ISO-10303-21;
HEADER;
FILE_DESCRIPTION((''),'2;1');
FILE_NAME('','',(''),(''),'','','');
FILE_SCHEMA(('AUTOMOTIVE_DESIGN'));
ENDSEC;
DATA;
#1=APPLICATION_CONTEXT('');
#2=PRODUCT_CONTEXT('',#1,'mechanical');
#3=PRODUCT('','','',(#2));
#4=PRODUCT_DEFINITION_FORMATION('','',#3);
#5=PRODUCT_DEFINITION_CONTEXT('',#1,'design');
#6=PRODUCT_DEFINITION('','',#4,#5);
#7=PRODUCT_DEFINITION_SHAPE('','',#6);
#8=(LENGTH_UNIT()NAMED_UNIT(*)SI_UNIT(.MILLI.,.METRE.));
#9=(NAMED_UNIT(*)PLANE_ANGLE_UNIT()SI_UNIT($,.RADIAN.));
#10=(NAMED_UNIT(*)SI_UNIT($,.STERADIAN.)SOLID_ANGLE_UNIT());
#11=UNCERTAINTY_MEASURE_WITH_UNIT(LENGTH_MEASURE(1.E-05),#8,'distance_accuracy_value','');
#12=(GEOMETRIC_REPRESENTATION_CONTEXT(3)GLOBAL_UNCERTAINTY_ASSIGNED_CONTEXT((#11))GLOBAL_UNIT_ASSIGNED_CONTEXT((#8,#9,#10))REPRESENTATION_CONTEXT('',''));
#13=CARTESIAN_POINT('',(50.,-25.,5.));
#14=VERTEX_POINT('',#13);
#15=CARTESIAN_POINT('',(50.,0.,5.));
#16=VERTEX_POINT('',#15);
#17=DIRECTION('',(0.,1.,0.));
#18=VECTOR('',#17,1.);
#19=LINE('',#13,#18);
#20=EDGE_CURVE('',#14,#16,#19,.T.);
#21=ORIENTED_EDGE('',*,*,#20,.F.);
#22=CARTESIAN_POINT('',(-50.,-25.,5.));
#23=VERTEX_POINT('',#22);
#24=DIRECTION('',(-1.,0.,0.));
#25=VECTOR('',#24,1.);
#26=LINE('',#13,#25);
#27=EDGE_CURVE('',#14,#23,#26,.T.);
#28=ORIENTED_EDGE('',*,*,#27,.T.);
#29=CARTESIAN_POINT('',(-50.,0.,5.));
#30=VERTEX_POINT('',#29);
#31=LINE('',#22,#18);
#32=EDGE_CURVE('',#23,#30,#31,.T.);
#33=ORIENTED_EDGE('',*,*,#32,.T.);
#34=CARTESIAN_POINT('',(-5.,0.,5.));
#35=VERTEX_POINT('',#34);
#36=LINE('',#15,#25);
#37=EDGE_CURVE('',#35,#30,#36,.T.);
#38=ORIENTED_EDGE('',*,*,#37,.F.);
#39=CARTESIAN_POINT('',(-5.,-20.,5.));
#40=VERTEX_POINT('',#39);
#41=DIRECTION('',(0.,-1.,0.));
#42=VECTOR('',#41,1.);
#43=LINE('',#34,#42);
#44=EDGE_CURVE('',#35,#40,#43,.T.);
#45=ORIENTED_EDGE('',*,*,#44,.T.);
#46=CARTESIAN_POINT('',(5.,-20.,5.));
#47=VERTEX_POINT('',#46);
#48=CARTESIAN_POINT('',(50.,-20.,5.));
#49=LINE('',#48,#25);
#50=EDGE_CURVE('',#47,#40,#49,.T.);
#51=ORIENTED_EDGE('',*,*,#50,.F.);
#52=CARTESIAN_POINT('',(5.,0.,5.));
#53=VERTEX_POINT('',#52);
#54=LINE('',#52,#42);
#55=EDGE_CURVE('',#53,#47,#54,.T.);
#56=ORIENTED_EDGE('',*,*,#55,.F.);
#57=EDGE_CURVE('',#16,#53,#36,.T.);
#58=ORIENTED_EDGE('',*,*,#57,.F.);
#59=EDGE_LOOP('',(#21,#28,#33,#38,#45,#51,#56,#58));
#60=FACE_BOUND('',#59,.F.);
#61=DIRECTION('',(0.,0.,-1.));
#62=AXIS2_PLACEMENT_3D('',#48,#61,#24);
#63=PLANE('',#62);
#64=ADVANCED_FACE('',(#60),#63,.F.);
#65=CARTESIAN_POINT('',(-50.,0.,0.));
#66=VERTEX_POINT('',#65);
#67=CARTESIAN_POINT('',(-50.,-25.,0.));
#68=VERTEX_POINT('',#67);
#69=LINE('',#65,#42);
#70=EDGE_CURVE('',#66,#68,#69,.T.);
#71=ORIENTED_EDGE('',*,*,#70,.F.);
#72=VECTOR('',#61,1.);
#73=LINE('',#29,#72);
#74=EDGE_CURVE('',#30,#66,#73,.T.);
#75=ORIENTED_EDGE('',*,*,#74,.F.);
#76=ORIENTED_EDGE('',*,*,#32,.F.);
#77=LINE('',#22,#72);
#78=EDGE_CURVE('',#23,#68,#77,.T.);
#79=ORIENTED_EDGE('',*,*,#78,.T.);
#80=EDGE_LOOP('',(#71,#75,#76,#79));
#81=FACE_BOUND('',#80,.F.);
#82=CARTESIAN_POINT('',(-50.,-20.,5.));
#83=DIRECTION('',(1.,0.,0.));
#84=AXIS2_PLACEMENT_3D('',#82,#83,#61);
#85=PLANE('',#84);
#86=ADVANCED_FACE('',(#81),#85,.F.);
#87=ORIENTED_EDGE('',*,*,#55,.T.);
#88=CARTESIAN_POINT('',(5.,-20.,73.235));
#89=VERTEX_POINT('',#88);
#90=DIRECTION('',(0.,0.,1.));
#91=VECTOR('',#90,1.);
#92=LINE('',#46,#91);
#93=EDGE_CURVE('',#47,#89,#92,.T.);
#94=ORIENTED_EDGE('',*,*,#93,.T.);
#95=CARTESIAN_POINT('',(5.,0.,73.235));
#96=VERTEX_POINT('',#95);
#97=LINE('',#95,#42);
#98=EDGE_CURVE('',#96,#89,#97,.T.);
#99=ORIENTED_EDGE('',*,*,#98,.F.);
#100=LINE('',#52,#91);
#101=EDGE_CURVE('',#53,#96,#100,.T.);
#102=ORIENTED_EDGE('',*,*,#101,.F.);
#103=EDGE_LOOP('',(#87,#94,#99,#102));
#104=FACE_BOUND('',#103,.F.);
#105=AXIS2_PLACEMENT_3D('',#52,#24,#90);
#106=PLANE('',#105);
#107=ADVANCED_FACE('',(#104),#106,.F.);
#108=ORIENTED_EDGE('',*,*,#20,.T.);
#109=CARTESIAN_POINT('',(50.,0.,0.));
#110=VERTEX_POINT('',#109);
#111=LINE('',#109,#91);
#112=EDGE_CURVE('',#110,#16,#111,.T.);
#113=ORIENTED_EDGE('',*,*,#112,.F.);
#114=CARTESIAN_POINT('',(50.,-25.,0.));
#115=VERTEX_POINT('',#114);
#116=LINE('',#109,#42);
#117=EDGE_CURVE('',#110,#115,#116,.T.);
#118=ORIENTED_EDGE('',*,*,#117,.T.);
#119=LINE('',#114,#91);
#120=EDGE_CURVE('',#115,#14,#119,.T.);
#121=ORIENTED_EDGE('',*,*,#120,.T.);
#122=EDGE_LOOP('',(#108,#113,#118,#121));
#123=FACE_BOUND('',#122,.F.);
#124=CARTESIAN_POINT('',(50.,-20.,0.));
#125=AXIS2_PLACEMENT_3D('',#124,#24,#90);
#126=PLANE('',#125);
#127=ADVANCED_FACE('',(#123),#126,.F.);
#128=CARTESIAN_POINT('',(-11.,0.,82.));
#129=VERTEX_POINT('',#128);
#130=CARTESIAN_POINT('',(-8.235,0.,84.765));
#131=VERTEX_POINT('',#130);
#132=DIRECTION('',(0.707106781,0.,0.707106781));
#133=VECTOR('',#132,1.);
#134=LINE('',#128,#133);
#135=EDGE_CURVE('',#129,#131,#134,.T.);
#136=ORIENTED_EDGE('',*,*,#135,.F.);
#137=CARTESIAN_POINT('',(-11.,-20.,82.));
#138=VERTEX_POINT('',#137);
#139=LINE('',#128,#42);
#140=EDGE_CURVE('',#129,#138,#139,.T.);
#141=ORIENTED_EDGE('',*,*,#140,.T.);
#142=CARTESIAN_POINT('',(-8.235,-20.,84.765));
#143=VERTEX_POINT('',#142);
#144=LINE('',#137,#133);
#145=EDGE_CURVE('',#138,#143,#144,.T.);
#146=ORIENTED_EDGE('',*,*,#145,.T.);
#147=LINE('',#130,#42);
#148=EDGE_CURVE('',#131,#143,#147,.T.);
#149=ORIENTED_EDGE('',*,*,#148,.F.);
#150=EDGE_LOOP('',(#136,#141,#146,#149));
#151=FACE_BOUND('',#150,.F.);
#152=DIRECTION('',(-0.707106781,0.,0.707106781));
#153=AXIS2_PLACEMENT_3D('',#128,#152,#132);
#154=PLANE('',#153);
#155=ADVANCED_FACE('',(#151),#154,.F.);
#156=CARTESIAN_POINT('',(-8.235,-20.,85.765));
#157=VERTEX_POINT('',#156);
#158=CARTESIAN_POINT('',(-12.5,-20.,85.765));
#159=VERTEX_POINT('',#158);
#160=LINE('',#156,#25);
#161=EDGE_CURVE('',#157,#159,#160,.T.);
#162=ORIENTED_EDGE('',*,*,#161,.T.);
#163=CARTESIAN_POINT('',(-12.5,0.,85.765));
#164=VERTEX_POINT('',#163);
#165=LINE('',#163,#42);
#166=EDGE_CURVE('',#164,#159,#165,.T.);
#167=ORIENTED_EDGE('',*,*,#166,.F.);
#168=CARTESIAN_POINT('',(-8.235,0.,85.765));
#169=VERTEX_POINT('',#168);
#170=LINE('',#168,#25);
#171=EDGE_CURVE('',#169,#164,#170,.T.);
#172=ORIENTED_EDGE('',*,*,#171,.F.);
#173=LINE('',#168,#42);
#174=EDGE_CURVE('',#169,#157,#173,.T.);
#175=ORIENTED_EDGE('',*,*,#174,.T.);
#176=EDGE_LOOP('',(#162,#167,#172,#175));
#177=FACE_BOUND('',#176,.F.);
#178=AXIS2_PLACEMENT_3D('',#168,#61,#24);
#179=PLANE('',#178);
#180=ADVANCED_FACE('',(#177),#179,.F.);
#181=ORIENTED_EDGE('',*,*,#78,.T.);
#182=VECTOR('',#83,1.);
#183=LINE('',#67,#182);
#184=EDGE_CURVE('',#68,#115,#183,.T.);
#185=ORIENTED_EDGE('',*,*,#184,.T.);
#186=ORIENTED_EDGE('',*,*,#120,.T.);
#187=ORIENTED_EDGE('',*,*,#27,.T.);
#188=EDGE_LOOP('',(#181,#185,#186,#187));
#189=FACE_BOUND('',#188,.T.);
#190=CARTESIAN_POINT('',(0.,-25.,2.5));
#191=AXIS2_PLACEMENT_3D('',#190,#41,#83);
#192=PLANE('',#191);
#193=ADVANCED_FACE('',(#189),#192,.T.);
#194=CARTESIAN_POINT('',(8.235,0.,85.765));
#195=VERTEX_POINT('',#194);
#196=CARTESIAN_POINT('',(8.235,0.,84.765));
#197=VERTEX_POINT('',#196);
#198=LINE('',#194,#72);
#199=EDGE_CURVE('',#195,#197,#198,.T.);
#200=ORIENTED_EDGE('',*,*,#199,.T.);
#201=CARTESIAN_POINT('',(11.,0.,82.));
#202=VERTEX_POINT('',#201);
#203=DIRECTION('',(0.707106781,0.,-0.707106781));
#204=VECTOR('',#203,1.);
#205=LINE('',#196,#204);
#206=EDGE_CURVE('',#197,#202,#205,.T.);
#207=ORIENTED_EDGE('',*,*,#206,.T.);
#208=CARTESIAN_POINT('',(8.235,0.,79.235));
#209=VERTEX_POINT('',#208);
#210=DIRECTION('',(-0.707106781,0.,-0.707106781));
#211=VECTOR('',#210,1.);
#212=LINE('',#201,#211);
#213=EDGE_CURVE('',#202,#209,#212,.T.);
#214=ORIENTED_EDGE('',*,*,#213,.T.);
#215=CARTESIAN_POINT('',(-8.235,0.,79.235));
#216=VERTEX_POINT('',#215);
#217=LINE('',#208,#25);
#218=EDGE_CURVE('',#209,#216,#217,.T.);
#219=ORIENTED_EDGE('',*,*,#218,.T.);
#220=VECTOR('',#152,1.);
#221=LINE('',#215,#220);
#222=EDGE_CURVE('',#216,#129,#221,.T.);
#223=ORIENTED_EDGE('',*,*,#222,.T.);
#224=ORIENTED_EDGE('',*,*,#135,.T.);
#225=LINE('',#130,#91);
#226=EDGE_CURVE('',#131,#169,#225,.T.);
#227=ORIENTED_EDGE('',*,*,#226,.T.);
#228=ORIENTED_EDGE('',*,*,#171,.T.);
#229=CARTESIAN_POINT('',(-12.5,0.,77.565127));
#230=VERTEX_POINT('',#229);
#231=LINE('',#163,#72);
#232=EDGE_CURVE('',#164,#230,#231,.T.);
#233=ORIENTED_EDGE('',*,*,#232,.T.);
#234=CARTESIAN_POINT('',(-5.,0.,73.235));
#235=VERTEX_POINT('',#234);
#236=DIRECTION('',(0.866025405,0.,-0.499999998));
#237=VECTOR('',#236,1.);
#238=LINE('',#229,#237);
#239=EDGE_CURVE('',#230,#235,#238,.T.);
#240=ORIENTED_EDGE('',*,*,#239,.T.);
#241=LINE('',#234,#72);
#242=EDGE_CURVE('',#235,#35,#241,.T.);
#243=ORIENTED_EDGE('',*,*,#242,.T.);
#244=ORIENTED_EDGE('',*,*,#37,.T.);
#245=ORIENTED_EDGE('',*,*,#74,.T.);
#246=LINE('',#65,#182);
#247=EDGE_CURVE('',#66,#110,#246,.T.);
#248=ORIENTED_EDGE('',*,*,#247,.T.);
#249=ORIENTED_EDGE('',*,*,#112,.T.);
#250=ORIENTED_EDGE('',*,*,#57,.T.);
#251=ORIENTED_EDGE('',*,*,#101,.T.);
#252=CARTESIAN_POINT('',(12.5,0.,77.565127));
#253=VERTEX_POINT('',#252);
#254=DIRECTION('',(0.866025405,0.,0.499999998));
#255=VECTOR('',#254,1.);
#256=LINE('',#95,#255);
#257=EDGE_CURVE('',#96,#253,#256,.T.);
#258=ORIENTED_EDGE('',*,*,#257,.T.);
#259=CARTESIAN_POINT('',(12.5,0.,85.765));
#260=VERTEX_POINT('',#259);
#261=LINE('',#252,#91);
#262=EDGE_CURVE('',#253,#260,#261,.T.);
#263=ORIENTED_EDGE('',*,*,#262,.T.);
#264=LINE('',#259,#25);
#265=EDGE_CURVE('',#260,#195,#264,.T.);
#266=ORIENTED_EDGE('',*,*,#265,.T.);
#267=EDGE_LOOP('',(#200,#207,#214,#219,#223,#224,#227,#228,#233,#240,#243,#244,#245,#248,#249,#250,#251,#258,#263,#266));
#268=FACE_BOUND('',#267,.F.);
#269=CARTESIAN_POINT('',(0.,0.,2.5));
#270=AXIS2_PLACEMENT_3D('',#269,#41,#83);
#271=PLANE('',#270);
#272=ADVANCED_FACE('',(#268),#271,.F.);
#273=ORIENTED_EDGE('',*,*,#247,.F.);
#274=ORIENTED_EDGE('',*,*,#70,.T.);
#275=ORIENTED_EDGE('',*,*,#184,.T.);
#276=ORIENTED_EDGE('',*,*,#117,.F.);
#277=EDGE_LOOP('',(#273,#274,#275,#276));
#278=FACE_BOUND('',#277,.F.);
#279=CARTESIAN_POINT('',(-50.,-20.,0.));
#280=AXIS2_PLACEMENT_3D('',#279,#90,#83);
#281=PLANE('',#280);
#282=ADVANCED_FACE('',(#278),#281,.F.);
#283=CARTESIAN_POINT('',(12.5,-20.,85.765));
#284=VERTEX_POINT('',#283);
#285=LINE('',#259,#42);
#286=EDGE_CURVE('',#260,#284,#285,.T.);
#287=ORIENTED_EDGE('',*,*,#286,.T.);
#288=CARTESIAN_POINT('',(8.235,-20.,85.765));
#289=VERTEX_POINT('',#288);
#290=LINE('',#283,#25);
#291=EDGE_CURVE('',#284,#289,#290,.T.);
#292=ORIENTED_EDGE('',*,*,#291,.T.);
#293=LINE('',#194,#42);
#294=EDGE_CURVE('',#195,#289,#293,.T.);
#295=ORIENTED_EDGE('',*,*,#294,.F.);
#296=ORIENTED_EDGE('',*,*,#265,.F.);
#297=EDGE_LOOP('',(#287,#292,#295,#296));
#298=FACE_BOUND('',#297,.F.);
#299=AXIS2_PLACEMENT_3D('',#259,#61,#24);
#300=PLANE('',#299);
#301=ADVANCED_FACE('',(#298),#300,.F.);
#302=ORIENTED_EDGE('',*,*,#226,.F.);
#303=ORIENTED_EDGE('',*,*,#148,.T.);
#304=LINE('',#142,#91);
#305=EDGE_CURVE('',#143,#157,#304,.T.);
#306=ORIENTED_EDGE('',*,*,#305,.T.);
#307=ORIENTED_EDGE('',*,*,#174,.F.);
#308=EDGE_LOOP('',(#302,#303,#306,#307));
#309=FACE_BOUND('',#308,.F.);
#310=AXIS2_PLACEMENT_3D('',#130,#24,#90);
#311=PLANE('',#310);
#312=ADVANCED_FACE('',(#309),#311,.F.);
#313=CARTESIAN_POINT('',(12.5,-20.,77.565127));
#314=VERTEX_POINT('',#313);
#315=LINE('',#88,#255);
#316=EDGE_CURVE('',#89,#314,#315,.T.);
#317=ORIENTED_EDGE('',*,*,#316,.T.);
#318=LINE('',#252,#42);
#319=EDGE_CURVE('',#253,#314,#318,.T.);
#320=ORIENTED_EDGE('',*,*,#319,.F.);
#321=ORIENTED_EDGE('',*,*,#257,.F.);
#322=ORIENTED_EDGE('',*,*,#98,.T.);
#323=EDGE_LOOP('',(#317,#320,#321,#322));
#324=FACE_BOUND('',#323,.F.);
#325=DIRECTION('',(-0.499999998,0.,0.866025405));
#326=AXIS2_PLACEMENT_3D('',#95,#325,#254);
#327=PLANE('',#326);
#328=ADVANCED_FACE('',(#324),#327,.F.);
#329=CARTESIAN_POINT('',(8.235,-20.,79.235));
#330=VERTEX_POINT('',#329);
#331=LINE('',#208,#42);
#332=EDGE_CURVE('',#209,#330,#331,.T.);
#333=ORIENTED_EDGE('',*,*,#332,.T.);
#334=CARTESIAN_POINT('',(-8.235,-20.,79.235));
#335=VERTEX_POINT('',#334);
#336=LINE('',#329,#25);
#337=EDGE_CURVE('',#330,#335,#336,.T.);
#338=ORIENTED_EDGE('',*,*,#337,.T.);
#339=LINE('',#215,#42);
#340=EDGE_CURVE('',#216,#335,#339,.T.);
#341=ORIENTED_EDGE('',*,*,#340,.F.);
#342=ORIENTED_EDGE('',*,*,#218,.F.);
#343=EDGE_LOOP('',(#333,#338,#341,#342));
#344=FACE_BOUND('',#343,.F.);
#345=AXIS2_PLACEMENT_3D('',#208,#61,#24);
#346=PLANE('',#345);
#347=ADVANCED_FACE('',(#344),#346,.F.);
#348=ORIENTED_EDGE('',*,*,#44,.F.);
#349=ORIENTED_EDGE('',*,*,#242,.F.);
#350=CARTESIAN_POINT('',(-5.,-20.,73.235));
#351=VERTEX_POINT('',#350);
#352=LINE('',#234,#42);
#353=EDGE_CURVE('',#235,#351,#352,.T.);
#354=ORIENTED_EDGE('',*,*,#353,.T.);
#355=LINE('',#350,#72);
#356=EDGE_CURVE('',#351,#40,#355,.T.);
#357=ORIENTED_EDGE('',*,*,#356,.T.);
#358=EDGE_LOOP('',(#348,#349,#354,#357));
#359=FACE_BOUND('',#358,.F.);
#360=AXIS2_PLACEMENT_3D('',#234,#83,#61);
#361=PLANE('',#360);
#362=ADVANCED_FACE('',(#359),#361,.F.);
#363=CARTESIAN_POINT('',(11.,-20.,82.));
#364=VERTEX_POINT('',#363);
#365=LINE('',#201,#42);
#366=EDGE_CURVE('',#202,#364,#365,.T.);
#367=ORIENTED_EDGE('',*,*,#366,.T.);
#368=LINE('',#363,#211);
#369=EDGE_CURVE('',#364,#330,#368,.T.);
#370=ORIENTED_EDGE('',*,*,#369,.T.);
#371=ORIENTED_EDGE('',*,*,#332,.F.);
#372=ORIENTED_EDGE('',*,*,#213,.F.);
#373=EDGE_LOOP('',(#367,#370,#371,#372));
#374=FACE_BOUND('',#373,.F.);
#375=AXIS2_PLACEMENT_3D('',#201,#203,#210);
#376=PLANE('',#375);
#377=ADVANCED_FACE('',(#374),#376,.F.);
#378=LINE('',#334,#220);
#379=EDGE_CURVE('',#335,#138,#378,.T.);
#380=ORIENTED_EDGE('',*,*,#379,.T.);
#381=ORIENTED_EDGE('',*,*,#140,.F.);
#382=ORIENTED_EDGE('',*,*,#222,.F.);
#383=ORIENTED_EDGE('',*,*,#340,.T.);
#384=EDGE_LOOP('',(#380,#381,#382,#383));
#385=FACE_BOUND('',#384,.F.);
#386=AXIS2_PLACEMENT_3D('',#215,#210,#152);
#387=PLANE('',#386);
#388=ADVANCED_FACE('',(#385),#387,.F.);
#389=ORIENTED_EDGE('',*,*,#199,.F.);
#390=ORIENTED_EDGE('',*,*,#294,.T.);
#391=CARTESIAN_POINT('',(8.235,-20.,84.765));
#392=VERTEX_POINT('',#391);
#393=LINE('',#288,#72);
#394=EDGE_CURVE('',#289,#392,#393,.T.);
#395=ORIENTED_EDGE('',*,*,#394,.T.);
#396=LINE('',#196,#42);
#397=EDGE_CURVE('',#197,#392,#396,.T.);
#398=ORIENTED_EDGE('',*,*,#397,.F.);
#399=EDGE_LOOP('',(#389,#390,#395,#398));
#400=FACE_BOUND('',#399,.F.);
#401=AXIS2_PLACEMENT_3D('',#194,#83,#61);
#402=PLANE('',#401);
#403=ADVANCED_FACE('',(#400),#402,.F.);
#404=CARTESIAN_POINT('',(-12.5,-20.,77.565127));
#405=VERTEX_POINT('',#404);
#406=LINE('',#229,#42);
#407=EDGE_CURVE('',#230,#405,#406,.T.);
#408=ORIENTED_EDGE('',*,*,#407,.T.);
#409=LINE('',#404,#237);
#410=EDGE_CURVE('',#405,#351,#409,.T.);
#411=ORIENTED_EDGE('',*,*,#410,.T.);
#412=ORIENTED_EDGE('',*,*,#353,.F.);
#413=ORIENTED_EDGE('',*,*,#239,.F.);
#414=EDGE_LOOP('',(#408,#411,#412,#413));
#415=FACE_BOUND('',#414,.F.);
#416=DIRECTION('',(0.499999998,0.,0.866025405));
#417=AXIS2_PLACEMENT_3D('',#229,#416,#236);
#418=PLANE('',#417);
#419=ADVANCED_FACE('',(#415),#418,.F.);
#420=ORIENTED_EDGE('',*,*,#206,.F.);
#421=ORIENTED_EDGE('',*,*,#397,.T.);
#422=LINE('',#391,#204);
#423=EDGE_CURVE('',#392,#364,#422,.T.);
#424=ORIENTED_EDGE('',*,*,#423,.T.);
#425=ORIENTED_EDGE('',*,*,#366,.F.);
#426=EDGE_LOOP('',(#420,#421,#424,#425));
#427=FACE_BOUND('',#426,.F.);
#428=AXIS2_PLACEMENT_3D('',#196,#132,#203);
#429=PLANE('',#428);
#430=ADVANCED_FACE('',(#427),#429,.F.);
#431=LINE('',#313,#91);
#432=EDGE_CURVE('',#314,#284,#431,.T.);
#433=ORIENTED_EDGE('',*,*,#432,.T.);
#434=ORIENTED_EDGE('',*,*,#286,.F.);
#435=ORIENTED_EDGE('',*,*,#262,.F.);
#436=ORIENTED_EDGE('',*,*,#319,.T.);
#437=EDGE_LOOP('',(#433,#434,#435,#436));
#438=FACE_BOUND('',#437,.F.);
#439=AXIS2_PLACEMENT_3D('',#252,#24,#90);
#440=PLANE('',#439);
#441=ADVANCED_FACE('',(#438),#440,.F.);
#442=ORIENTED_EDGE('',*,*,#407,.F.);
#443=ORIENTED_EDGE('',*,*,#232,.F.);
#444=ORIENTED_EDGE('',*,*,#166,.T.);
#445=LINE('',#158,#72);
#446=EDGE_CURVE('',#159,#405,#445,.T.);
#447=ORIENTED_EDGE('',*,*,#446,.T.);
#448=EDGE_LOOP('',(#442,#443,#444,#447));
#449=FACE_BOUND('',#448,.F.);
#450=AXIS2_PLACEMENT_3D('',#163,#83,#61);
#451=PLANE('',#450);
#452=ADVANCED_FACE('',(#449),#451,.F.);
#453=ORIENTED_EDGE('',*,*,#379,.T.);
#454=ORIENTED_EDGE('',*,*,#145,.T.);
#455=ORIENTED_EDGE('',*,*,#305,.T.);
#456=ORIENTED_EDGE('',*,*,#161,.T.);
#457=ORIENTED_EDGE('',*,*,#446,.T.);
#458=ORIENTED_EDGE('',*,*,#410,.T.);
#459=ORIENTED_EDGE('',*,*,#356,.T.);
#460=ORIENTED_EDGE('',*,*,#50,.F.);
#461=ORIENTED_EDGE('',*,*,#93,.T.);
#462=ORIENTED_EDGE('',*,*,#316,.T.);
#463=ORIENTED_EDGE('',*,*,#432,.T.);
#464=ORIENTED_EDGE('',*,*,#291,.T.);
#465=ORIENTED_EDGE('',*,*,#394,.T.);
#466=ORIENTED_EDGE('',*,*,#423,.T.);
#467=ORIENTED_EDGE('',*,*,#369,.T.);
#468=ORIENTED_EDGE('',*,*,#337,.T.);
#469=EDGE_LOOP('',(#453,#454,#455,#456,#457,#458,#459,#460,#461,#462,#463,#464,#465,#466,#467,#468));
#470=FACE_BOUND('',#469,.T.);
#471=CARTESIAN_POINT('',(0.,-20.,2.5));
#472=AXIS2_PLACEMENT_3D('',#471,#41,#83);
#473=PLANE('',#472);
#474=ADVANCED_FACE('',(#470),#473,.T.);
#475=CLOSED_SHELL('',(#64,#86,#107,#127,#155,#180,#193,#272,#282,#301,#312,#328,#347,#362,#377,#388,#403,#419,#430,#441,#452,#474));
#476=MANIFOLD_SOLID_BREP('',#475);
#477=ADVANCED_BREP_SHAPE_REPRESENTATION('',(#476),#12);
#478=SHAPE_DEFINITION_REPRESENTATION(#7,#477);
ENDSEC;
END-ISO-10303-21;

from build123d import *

# Parameters (mm, degrees)
F1_DEPTH = 20
F3_DEPTH = 5


with BuildPart() as f1:
    # F0 (on Front) → F1 (new body)
    with BuildSketch(Plane.XZ):
        Polygon((-50, 5), (-50, 0), (50, 0), (50, 5), (5, 5), (-5, 5), align=None)
        Polygon((-5, 73.235), (-5, 5), (5, 5), (5, 73.235), (12.5, 77.565127), (12.5, 85.765), (8.235, 85.765), (8.235, 84.765), (11, 82), (8.235, 79.235), (0, 79.235), (-8.235, 79.235), (-11, 82), (-8.235, 84.765), (-8.235, 85.765), (-12.5, 85.765), (-12.5, 77.565127), align=None)
    extrude(amount=F1_DEPTH)

    # F2 (on face) → F3 (join)
    with BuildSketch(Plane.XZ.offset(20)):
        Polygon((-5, 5), (-50, 5), (-50, 0), (50, 0), (50, 5), (5, 5), align=None)
    extrude(amount=F3_DEPTH)


solid = f1.part
